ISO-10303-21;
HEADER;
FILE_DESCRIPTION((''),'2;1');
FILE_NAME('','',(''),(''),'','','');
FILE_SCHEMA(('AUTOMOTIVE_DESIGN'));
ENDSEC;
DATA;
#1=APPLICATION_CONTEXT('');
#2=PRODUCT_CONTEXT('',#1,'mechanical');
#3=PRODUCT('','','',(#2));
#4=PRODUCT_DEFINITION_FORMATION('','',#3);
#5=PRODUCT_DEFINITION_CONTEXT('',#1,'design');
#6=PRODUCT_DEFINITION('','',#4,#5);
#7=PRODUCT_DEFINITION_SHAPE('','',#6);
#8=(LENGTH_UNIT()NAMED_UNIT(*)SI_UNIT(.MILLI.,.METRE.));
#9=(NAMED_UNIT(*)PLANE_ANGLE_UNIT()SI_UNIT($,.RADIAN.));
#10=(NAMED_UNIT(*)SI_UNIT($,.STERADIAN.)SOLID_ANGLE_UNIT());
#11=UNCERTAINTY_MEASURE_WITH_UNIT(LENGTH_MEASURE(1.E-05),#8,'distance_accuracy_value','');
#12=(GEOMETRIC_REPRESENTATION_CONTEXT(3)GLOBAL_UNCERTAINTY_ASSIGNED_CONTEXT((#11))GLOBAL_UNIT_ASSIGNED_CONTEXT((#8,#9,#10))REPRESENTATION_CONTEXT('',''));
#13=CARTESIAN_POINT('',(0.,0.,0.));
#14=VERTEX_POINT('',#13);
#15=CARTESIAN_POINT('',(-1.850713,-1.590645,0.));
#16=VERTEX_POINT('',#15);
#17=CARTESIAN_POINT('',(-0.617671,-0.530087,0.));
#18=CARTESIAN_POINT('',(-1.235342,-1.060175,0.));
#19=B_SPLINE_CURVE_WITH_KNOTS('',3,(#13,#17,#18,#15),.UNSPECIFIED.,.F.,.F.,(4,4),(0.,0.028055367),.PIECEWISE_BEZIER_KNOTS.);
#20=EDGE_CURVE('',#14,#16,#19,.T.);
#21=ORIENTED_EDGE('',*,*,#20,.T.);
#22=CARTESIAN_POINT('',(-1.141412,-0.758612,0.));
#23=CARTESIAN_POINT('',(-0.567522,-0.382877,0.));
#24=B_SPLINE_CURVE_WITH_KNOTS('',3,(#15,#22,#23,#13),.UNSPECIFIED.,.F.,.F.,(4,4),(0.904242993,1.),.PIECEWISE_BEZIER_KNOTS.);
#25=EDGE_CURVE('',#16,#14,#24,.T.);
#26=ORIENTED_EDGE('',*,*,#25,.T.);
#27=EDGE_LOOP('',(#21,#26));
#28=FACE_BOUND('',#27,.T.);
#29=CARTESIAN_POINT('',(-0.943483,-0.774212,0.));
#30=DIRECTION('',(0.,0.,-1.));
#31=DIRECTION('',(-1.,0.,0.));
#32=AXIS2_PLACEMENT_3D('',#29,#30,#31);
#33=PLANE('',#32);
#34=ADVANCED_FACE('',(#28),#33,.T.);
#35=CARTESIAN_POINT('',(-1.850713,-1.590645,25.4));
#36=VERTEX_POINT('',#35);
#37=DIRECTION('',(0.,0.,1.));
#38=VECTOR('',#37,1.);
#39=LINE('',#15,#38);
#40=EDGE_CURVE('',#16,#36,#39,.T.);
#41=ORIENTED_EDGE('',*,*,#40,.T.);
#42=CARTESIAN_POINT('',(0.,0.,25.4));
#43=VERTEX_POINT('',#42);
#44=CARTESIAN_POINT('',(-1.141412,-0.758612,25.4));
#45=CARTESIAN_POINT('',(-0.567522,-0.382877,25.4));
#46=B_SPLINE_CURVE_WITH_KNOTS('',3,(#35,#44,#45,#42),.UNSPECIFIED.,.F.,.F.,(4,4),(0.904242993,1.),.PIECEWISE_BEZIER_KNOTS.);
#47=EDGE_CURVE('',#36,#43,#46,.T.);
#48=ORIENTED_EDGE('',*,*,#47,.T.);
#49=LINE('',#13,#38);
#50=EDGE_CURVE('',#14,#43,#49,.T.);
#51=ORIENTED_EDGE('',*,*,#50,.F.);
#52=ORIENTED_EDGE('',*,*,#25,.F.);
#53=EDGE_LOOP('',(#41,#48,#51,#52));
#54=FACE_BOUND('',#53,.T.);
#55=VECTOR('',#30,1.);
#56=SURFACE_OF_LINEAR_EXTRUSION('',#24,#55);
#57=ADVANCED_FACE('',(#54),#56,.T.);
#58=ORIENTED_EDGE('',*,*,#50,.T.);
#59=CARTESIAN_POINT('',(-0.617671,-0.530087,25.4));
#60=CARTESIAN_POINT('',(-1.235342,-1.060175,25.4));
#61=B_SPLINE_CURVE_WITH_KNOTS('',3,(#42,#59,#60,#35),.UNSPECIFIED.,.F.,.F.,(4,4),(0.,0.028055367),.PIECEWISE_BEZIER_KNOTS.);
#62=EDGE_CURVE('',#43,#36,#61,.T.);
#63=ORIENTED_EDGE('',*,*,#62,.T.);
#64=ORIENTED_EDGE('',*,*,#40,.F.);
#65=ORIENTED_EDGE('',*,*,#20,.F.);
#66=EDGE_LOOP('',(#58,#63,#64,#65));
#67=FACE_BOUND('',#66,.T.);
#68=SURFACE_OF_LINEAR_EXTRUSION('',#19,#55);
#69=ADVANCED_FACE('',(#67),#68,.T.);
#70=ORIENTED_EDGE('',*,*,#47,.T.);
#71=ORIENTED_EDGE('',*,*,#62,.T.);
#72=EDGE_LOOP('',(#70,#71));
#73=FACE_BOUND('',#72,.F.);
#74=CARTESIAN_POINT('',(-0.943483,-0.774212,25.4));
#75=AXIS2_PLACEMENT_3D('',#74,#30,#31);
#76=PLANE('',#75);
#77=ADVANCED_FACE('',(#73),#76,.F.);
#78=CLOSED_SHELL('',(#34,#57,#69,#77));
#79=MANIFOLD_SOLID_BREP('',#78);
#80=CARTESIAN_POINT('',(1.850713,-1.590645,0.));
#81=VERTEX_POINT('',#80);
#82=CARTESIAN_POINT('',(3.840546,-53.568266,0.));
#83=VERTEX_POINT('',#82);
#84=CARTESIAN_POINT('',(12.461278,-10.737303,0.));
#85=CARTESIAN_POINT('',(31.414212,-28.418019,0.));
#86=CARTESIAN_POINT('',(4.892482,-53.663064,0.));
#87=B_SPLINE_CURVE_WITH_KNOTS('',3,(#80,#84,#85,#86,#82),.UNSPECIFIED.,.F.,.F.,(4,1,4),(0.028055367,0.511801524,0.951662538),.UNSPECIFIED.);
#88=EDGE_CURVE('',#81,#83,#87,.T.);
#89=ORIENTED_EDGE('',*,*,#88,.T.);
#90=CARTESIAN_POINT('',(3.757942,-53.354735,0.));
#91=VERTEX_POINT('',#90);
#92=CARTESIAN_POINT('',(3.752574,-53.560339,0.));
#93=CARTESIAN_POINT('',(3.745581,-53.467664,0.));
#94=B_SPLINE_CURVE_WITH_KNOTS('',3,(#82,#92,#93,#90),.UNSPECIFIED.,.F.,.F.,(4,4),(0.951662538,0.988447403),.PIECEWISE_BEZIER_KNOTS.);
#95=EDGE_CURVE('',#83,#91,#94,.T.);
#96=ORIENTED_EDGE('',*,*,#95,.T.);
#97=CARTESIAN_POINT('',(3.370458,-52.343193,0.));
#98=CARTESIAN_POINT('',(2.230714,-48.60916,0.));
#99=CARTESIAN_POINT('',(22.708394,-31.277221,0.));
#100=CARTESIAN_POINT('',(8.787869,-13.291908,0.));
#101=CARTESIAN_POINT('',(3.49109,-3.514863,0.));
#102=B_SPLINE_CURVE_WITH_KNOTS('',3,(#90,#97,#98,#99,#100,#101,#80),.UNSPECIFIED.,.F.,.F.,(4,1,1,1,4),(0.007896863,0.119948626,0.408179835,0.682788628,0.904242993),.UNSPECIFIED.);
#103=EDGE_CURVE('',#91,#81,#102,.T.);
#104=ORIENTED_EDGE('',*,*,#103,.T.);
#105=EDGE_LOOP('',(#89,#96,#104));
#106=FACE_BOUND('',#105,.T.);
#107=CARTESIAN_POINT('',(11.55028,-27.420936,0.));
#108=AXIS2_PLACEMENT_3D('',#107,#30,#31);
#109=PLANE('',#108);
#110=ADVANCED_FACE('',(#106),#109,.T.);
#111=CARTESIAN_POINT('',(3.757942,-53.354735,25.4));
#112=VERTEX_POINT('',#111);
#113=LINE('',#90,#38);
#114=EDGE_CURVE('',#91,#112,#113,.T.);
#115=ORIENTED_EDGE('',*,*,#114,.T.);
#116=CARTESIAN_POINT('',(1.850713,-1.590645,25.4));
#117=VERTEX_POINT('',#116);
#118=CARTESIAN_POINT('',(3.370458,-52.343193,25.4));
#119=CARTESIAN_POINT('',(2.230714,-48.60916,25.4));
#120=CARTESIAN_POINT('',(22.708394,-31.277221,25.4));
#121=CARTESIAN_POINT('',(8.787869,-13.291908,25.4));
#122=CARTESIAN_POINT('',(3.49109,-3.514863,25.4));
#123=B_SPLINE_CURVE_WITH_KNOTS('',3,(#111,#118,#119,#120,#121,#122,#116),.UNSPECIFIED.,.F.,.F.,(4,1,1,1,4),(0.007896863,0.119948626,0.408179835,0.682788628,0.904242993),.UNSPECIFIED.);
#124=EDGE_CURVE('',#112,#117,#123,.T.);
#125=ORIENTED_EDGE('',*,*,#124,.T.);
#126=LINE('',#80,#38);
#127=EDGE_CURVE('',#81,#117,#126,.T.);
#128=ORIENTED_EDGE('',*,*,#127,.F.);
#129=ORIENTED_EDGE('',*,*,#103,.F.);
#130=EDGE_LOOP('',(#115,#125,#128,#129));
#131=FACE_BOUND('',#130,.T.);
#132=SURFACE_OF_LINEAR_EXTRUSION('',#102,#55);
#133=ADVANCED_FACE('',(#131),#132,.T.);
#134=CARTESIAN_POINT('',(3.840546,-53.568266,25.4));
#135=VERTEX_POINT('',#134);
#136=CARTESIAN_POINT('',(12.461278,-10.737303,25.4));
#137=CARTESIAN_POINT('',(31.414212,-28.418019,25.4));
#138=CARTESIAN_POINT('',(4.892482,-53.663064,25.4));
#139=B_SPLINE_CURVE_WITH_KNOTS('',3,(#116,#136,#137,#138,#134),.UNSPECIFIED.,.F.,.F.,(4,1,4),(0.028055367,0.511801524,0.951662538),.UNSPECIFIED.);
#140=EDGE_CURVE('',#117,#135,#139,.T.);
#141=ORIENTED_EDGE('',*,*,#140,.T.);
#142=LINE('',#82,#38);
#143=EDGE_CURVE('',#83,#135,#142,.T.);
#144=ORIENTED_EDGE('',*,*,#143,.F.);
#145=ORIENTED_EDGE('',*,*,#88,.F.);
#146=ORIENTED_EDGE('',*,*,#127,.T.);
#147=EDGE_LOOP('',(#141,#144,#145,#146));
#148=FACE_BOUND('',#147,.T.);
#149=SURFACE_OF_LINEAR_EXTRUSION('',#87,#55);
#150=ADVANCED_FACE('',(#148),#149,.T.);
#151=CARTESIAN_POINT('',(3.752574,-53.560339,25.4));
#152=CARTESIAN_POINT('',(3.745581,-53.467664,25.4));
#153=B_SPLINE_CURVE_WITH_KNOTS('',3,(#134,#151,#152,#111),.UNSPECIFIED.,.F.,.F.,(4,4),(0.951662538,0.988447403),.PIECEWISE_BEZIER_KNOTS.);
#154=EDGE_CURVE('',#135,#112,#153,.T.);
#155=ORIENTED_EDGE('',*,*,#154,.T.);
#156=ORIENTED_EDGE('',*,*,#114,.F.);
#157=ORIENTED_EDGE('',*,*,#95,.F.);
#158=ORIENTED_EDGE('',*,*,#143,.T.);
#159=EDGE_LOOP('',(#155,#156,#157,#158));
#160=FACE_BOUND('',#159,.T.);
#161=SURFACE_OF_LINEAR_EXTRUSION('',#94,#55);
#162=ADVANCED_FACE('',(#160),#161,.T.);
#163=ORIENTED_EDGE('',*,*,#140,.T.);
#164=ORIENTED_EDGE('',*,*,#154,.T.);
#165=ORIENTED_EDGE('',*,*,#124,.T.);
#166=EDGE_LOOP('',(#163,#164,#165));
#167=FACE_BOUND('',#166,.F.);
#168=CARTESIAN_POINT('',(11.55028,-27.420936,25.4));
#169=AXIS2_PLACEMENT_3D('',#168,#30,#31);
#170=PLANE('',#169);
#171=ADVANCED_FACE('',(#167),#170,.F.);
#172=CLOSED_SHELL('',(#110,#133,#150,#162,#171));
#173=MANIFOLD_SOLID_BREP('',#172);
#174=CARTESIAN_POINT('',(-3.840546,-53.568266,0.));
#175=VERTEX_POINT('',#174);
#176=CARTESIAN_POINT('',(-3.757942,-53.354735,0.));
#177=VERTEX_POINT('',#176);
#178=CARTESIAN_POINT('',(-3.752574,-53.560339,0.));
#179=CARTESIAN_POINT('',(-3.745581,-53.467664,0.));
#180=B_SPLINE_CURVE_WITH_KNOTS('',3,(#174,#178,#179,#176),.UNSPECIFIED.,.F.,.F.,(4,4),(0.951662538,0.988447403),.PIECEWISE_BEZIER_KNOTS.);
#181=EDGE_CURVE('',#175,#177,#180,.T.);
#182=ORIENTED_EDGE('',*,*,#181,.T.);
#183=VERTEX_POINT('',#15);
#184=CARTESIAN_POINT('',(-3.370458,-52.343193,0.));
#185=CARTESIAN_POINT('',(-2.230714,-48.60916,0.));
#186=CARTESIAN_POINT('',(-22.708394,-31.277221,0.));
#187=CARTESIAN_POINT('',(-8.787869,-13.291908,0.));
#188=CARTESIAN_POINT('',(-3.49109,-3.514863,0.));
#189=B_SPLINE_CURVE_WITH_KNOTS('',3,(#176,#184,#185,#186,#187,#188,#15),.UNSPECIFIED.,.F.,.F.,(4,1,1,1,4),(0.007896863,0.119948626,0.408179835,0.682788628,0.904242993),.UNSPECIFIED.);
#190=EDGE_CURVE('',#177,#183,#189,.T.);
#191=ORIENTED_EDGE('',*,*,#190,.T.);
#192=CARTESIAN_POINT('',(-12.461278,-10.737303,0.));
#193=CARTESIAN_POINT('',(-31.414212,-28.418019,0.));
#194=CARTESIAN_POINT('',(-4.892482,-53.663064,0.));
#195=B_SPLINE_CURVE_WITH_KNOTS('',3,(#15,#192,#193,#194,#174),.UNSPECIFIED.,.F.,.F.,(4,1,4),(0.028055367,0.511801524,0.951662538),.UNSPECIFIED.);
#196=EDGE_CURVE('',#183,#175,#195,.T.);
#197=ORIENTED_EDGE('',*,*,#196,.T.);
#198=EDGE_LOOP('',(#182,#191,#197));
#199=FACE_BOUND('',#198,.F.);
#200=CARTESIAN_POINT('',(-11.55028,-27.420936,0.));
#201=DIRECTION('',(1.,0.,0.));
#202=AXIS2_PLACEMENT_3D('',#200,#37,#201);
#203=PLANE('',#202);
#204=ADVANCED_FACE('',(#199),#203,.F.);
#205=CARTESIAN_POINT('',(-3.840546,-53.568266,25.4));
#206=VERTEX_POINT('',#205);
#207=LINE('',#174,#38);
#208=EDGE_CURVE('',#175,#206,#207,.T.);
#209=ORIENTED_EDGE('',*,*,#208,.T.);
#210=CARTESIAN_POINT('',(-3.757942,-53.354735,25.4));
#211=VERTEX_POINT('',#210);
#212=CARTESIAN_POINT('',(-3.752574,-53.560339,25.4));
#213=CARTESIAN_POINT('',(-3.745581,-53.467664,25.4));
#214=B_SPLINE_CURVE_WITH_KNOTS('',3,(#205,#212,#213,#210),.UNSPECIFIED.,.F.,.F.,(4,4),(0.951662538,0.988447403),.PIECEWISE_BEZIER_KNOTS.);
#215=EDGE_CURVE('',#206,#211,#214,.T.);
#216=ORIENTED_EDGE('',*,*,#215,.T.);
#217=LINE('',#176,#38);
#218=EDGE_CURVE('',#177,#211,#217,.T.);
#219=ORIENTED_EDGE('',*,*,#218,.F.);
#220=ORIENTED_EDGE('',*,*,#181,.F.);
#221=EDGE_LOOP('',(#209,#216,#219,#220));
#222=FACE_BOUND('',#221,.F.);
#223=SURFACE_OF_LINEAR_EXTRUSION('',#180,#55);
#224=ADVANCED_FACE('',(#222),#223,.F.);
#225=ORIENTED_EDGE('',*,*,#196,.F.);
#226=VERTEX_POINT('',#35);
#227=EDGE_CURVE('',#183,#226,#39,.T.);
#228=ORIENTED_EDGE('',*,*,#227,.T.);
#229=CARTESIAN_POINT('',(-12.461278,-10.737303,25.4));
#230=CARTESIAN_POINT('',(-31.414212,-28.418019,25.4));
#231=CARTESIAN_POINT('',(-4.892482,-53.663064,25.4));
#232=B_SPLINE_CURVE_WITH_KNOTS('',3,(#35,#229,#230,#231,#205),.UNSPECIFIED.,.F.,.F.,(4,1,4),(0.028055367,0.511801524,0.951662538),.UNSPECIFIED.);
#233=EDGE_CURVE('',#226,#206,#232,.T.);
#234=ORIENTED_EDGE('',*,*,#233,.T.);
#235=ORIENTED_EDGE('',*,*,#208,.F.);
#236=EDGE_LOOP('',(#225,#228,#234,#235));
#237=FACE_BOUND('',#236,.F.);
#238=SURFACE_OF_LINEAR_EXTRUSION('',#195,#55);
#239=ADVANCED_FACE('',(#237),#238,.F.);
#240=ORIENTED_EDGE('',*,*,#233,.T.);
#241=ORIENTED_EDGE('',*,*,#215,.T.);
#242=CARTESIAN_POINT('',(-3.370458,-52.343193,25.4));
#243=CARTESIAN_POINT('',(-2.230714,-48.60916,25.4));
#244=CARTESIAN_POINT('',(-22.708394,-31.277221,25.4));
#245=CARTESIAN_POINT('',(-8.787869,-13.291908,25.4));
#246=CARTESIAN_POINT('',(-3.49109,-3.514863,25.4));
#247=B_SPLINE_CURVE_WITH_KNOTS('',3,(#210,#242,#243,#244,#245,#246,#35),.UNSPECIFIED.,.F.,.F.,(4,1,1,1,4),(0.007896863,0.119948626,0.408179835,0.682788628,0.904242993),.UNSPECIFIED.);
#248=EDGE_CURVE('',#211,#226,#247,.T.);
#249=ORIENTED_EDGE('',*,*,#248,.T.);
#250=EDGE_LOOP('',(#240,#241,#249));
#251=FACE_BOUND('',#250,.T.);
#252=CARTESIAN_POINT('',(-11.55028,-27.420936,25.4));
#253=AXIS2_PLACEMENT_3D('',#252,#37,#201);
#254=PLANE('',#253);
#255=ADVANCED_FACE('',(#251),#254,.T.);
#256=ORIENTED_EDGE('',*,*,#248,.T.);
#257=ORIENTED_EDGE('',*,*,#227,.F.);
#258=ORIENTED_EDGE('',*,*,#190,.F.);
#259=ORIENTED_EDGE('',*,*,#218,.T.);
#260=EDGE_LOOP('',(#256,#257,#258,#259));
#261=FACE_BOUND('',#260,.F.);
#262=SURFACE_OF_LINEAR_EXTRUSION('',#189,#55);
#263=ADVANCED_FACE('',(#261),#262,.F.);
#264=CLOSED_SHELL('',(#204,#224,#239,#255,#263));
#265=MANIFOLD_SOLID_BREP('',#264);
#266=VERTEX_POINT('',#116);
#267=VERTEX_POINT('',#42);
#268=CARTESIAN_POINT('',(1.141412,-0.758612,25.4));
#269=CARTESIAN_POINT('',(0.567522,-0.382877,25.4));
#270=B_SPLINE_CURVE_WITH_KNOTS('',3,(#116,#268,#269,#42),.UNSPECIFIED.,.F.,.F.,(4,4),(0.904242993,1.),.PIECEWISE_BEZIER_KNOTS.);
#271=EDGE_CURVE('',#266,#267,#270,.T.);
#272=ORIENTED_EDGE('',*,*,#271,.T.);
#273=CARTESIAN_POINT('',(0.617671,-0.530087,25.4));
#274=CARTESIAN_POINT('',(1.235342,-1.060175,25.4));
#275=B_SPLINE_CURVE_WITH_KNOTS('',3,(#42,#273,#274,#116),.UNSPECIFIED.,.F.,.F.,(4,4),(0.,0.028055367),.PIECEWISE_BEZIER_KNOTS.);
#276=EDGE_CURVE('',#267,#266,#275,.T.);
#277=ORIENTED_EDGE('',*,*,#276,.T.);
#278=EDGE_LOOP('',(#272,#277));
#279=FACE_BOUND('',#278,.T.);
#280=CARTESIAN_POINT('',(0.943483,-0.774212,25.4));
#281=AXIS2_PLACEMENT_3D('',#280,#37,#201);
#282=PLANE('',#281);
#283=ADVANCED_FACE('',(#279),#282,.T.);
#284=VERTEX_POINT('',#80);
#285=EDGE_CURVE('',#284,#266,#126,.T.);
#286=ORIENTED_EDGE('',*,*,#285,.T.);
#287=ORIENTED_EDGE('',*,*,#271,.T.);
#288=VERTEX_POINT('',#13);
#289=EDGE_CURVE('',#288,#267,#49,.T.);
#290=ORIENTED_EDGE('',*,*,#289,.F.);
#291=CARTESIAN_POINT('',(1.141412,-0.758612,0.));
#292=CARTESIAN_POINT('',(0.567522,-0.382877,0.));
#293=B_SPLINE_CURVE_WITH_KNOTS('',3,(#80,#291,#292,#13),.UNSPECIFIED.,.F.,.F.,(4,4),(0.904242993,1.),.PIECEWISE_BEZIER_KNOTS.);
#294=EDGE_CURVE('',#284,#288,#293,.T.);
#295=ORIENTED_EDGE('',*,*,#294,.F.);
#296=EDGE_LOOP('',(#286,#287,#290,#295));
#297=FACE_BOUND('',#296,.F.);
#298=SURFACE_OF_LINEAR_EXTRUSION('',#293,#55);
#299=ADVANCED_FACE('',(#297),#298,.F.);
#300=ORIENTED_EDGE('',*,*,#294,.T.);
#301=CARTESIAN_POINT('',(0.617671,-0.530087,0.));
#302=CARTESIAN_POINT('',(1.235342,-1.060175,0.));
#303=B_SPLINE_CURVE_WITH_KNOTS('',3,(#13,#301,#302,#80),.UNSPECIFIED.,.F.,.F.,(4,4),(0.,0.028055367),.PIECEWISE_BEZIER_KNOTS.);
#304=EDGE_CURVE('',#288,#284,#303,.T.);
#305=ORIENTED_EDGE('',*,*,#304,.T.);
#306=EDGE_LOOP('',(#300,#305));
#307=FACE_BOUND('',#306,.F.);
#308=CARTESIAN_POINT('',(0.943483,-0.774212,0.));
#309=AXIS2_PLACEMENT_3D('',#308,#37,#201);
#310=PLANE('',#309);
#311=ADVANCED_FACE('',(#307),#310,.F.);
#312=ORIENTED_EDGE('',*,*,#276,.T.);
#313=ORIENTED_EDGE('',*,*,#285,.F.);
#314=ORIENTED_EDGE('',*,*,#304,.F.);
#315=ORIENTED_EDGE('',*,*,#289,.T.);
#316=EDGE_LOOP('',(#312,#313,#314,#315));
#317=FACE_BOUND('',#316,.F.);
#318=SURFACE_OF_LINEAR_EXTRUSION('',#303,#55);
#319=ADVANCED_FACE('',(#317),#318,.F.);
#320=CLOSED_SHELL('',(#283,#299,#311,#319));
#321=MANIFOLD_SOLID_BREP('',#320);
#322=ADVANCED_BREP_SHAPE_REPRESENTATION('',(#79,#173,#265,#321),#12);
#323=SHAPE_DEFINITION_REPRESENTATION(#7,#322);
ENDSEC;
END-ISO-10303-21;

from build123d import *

# Parameters (mm, degrees)
F1_DEPTH = 25.4


with BuildPart() as f1:
    # F0 (on Top) → F1 (new body)
    with BuildSketch(Plane.XY):
        with BuildLine():
            add(Edge.make_bspline(
                [(-3.7579423769, -53.3547353565), (-3.370457975, -52.3431925798), (-2.2307136518, -48.6091596866), (-22.7083935356, -31.2772210218), (-8.7878689347, -13.2919078478), (-3.4910903784, -3.5148630553), (-1.8507127268, -1.5906450197)],
                knots=[0.0078968627, 0.0078968627, 0.0078968627, 0.0078968627, 0.1199486261, 0.4081798355, 0.6827886283, 0.9042429926, 0.9042429926, 0.9042429926, 0.9042429926], degree=3))
            add(Edge.make_bspline(
                [(-1.8507127268, -1.5906450197), (-12.4612775627, -10.7373034613), (-31.4142116291, -28.4180189243), (-4.8924818793, -53.6630638335), (-3.840545658, -53.5682663321)],
                knots=[0.0280553669, 0.0280553669, 0.0280553669, 0.0280553669, 0.511801524, 0.9516625378, 0.9516625378, 0.9516625378, 0.9516625378], degree=3))
            add(Edge.make_bspline(
                [(-3.840545658, -53.5682663321), (-3.8128983, -53.4971450464), (-3.7852503909, -53.426023966), (-3.7579423769, -53.3547353565)],
                knots=[0, 0, 0, 0, 0.0078968627, 0.0078968627, 0.0078968627, 0.0078968627], degree=3))
        make_face()
        with BuildLine():
            add(Edge.make_bspline(
                [(-3.840545658, -53.5682663321), (-3.8128983, -53.4971450464), (-3.7852503909, -53.426023966), (-3.7579423769, -53.3547353565)],
                knots=[0, 0, 0, 0, 0.0078968627, 0.0078968627, 0.0078968627, 0.0078968627], degree=3))
            add(Edge.make_bspline(
                [(-3.840545658, -53.5682663321), (-3.7525739328, -53.5603385704), (-3.7455812113, -53.4676641407), (-3.7579423769, -53.3547353565)],
                knots=[0.9516625378, 0.9516625378, 0.9516625378, 0.9516625378, 0.9884474031, 0.9884474031, 0.9884474031, 0.9884474031], degree=3))
        make_face()
    extrude(amount=F1_DEPTH)


with BuildPart() as f1b:
    # F0 (on Top) → F1, piece 2 (new body)
    with BuildSketch(Plane.XY):
        with BuildLine():
            add(Edge.make_bspline(
                [(1.8507127268, -1.5906450197), (1.1414123911, -0.7586119221), (0.5675215582, -0.3828773849), (0, 0)],
                knots=[0.9042429926, 0.9042429926, 0.9042429926, 0.9042429926, 1, 1, 1, 1], degree=3))
            add(Edge.make_bspline(
                [(0, 0), (0.6176709325, -0.5300874741), (1.235341865, -1.0601749481), (1.8507127268, -1.5906450197)],
                knots=[0, 0, 0, 0, 0.0280553669, 0.0280553669, 0.0280553669, 0.0280553669], degree=3))
        make_face()
    extrude(amount=F1_DEPTH)


with BuildPart() as f1c:
    # F0 (on Top) → F1, piece 3 (new body)
    with BuildSketch(Plane.XY):
        with BuildLine():
            add(Edge.make_bspline(
                [(1.8507127268, -1.5906450197), (12.4612775627, -10.7373034613), (31.4142116291, -28.4180189243), (4.8924818793, -53.6630638335), (3.840545658, -53.5682663321)],
                knots=[0.0280553669, 0.0280553669, 0.0280553669, 0.0280553669, 0.511801524, 0.9516625378, 0.9516625378, 0.9516625378, 0.9516625378], degree=3))
            add(Edge.make_bspline(
                [(3.7579423769, -53.3547353565), (3.370457975, -52.3431925798), (2.2307136518, -48.6091596866), (22.7083935356, -31.2772210218), (8.7878689347, -13.2919078478), (3.4910903784, -3.5148630553), (1.8507127268, -1.5906450197)],
                knots=[0.0078968627, 0.0078968627, 0.0078968627, 0.0078968627, 0.1199486261, 0.4081798355, 0.6827886283, 0.9042429926, 0.9042429926, 0.9042429926, 0.9042429926], degree=3))
            add(Edge.make_bspline(
                [(3.840545658, -53.5682663321), (3.8128983, -53.4971450464), (3.7852503909, -53.426023966), (3.7579423769, -53.3547353565)],
                knots=[0, 0, 0, 0, 0.0078968627, 0.0078968627, 0.0078968627, 0.0078968627], degree=3))
        make_face()
        with BuildLine():
            add(Edge.make_bspline(
                [(3.840545658, -53.5682663321), (3.7525739328, -53.5603385704), (3.7455812113, -53.4676641407), (3.7579423769, -53.3547353565)],
                knots=[0.9516625378, 0.9516625378, 0.9516625378, 0.9516625378, 0.9884474031, 0.9884474031, 0.9884474031, 0.9884474031], degree=3))
            add(Edge.make_bspline(
                [(3.840545658, -53.5682663321), (3.8128983, -53.4971450464), (3.7852503909, -53.426023966), (3.7579423769, -53.3547353565)],
                knots=[0, 0, 0, 0, 0.0078968627, 0.0078968627, 0.0078968627, 0.0078968627], degree=3))
        make_face()
    extrude(amount=F1_DEPTH)


with BuildPart() as f1d:
    # F0 (on Top) → F1, piece 4 (new body)
    with BuildSketch(Plane.XY):
        with BuildLine():
            add(Edge.make_bspline(
                [(0, 0), (-0.6176709325, -0.5300874741), (-1.235341865, -1.0601749481), (-1.8507127268, -1.5906450197)],
                knots=[0, 0, 0, 0, 0.0280553669, 0.0280553669, 0.0280553669, 0.0280553669], degree=3))
            add(Edge.make_bspline(
                [(-1.8507127268, -1.5906450197), (-1.1414123911, -0.7586119221), (-0.5675215582, -0.3828773849), (0, 0)],
                knots=[0.9042429926, 0.9042429926, 0.9042429926, 0.9042429926, 1, 1, 1, 1], degree=3))
        make_face()
    extrude(amount=F1_DEPTH)


solid = Compound([f1.part, f1b.part, f1c.part, f1d.part])
